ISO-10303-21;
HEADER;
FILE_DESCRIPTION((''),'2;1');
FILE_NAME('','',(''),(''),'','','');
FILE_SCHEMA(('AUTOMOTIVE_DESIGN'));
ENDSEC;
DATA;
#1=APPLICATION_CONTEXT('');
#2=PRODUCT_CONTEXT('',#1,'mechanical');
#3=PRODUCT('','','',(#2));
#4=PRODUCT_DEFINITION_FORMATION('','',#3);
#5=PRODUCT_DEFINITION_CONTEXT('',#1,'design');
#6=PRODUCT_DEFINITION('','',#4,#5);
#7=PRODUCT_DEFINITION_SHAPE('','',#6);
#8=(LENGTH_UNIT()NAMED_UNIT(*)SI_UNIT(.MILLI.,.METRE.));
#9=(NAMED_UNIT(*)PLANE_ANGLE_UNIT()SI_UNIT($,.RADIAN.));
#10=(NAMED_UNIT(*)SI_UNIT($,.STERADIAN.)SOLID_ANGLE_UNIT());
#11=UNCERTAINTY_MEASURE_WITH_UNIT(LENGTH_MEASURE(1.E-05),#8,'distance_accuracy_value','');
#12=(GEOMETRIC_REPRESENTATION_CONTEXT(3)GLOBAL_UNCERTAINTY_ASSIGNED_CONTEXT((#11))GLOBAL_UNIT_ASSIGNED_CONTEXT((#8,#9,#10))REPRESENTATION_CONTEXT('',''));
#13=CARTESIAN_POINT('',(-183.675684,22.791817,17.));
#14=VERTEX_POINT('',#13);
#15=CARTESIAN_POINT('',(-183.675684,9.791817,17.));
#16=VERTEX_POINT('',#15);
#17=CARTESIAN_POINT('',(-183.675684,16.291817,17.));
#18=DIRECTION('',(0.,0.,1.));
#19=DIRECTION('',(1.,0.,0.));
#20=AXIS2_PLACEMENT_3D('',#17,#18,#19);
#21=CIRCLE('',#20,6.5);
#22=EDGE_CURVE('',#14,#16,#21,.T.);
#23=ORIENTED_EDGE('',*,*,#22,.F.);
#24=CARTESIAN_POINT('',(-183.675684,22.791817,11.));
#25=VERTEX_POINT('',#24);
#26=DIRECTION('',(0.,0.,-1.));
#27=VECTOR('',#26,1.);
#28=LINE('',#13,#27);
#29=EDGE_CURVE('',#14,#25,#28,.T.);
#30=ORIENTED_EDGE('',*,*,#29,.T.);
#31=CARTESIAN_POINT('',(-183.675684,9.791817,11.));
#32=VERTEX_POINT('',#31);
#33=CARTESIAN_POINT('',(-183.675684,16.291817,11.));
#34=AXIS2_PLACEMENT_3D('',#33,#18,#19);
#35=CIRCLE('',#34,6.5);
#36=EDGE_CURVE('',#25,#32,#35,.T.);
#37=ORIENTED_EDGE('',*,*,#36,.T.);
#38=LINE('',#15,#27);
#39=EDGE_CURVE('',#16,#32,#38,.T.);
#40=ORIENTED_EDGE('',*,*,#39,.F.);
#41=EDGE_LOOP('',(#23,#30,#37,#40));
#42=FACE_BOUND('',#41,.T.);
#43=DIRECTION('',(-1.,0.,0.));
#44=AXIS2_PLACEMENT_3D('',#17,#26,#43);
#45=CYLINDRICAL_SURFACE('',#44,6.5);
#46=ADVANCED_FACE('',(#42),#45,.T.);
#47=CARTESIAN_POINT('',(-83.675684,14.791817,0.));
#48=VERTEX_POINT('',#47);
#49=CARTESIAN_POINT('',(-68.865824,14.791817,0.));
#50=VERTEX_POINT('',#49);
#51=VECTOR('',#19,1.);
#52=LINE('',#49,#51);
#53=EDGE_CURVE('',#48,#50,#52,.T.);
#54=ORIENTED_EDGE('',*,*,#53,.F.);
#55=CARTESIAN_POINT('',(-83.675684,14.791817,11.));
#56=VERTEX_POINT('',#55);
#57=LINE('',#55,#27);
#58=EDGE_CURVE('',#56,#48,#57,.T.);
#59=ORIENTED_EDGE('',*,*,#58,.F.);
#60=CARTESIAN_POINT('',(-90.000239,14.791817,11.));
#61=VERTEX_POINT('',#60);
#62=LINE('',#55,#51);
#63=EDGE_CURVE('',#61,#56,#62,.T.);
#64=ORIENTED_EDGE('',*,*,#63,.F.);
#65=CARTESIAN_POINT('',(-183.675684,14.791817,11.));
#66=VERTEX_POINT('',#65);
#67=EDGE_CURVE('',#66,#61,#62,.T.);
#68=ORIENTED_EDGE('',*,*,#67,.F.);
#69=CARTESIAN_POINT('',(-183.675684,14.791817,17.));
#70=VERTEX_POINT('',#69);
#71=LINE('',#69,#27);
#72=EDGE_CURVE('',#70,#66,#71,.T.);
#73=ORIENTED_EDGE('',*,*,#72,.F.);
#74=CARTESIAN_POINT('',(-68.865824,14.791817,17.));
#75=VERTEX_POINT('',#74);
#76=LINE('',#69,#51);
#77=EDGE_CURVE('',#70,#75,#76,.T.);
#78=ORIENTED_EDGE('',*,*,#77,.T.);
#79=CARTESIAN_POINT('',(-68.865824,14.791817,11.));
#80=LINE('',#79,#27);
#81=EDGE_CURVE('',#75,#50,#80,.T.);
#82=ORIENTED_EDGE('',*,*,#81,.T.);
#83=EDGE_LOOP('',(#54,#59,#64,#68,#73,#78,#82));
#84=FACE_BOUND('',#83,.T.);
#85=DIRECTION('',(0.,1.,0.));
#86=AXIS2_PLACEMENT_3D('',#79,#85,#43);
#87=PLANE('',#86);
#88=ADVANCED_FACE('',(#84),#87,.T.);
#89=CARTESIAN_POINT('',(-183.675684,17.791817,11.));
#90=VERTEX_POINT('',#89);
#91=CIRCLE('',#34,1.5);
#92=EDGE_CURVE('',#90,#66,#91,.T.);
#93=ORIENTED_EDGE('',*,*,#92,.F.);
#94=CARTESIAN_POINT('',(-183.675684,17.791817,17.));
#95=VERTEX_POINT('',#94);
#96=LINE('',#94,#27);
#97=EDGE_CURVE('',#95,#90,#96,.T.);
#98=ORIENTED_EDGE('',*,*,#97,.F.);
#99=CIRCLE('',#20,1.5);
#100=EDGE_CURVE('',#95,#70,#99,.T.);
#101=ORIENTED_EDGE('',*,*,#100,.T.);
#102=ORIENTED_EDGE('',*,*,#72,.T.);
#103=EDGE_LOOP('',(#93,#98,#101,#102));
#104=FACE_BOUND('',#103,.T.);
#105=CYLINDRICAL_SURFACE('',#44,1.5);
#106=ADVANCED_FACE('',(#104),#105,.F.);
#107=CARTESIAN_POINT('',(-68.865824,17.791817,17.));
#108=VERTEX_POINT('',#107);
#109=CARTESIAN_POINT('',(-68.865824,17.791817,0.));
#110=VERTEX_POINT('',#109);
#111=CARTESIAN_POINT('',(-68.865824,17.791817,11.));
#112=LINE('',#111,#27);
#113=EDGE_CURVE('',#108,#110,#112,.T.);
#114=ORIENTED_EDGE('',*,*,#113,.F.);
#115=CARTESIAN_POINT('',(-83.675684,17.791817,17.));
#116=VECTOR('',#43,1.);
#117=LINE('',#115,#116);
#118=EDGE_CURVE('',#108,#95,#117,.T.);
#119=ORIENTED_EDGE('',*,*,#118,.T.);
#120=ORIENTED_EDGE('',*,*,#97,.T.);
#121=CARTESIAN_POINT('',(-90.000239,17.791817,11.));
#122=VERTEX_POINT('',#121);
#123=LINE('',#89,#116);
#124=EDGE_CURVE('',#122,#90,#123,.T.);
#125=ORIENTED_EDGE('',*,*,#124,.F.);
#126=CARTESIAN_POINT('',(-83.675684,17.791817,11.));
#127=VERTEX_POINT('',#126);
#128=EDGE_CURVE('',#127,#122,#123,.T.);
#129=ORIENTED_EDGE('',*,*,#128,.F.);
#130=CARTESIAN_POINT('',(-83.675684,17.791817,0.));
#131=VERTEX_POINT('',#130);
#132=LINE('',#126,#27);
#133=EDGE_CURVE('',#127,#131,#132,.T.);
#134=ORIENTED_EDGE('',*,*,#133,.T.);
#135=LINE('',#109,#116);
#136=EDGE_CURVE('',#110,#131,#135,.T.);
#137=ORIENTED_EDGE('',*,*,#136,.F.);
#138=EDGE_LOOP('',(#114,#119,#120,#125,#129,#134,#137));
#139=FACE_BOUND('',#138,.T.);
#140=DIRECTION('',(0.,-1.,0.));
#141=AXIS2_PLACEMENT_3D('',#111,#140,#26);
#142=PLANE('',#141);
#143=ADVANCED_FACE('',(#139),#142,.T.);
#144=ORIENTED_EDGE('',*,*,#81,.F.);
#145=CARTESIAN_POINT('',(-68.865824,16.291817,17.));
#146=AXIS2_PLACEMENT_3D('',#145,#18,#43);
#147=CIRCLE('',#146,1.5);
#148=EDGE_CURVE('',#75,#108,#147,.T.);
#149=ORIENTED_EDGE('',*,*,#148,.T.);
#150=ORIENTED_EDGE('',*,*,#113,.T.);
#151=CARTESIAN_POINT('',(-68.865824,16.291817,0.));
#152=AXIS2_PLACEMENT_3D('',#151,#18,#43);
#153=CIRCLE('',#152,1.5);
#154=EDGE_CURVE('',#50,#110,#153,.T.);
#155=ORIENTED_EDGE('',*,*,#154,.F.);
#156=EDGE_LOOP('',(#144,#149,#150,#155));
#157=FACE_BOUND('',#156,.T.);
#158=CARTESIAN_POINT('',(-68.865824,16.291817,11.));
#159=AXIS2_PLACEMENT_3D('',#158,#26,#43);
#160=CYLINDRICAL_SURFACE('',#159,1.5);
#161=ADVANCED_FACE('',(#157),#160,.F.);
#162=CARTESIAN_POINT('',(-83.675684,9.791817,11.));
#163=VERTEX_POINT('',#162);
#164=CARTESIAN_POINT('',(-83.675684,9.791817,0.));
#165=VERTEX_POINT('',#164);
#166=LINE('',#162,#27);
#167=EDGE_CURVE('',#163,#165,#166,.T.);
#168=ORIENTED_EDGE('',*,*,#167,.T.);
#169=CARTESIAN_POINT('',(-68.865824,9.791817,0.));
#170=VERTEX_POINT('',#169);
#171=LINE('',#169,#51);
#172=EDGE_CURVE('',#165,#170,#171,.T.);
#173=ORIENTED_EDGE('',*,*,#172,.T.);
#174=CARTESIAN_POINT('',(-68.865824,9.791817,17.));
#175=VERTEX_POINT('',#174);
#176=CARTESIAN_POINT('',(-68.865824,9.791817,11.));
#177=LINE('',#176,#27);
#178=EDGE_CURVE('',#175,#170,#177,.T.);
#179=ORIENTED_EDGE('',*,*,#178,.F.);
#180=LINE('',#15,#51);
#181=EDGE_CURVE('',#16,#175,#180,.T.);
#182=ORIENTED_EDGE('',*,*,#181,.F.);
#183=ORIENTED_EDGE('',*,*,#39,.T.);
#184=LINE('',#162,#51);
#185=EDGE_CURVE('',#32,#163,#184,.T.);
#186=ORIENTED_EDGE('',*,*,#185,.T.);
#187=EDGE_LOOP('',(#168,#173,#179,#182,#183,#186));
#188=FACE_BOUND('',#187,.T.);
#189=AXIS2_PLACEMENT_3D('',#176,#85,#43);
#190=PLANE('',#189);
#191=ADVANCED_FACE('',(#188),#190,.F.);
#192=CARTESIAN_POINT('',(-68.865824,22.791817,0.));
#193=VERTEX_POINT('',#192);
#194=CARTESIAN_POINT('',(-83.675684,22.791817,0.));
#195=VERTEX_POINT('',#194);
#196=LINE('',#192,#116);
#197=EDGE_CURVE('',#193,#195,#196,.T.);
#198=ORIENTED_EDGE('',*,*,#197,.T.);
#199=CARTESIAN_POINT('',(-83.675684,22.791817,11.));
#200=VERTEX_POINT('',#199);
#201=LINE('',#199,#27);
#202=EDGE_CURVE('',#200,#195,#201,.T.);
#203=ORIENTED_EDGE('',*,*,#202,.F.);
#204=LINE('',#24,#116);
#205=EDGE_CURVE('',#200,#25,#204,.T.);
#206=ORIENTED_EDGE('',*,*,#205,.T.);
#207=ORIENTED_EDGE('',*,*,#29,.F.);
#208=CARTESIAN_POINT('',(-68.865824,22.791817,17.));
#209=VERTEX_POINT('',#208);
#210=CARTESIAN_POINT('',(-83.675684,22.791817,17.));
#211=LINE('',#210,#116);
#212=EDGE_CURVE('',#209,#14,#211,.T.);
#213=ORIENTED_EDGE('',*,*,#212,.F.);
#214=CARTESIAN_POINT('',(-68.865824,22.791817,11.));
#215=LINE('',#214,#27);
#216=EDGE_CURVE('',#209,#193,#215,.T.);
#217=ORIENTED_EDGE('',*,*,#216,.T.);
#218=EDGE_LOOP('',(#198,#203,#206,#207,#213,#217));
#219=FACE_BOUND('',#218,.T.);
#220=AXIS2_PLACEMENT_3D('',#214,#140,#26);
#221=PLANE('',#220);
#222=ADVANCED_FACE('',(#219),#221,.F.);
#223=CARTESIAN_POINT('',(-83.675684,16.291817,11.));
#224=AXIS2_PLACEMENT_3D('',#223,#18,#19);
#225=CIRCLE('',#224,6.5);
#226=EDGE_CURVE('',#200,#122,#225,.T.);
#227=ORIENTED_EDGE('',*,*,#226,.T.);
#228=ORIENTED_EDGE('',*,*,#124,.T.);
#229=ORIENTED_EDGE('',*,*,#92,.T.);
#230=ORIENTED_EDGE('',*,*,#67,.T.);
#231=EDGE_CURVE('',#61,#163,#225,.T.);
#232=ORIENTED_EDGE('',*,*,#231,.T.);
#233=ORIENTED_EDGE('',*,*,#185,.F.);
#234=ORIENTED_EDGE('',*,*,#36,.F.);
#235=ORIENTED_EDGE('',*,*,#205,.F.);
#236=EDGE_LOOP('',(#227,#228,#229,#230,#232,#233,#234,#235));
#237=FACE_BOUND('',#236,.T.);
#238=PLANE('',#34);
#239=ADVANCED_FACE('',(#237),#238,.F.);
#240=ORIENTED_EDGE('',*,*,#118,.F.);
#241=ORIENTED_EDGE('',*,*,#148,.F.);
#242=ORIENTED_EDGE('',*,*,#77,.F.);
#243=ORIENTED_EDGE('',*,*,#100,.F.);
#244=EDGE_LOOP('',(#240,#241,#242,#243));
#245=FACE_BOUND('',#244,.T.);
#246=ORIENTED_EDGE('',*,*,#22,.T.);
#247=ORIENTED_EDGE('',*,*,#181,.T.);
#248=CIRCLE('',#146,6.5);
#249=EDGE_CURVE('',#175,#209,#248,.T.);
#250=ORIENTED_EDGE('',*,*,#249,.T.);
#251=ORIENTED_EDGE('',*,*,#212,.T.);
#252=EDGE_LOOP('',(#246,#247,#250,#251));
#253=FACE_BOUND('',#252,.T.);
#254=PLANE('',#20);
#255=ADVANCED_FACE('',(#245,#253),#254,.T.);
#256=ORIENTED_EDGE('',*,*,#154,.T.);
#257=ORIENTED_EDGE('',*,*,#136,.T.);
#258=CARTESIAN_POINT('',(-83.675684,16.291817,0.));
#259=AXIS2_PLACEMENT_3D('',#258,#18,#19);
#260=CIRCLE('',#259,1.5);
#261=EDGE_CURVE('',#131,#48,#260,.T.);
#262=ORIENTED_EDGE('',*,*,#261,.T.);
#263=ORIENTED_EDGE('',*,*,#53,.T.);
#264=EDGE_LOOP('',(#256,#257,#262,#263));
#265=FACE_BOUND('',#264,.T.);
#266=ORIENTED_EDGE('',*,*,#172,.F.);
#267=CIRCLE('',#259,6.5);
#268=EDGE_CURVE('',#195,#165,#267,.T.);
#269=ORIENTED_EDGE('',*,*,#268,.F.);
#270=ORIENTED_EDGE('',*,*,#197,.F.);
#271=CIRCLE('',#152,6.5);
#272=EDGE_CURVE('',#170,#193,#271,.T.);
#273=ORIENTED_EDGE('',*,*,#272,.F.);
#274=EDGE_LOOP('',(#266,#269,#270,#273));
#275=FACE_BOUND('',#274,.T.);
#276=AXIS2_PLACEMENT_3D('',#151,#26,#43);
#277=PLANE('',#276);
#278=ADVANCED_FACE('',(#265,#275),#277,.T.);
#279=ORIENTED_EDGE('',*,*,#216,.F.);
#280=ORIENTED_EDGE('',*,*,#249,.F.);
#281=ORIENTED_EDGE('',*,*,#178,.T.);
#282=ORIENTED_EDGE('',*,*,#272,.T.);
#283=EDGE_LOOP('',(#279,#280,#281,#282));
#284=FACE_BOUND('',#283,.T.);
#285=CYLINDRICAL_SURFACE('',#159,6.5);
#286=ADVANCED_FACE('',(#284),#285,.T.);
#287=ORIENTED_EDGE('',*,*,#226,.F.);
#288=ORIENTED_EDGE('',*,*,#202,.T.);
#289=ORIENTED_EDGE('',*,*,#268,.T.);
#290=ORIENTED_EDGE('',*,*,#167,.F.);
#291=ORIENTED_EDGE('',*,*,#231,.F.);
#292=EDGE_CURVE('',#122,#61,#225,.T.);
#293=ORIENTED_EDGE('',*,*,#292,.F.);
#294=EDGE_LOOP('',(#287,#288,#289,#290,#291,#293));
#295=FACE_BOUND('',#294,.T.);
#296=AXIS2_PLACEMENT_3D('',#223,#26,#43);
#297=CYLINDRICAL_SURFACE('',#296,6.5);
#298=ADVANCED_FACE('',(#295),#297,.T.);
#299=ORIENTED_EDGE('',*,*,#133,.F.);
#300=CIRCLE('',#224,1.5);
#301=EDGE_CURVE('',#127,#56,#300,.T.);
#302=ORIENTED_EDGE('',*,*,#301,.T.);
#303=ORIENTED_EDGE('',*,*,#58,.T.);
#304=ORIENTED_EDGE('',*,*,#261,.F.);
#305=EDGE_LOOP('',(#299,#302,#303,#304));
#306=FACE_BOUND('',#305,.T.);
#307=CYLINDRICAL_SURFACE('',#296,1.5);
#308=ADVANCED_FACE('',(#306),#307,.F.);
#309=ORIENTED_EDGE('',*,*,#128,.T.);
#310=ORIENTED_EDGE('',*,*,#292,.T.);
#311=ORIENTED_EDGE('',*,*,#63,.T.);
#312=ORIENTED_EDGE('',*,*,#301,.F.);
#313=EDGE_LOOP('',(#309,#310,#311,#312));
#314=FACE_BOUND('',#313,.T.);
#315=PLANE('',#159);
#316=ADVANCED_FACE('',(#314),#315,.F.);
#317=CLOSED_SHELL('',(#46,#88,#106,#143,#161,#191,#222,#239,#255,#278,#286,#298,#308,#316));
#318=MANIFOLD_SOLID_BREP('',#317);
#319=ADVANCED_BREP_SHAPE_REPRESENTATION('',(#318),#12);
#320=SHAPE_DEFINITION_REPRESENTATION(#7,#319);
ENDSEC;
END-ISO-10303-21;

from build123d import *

# Parameters (mm, degrees)
BOSS_EXTRUDE1_DEPTH = 11
BOSS_EXTRUDE2_DEPTH = 6


with BuildPart() as part:
    # Sketch1 → Boss-Extrude1 (new body)
    with BuildSketch(Plane.XY):
        with BuildLine():
            Line((-68.865823893, 22.791817364), (-83.675684171, 22.791817364))
            ThreePointArc((-83.675684171, 22.791817364), (-90.175684171, 16.291817364), (-83.675684171, 9.791817364))
            Line((-83.675684171, 9.791817364), (-68.865823893, 9.791817364))
            ThreePointArc((-68.865823893, 9.791817364), (-62.365823893, 16.291817364), (-68.865823893, 22.791817364))
        make_face()
        with BuildLine():
            Line((-68.865823893, 17.791817364), (-83.675684171, 17.791817364))
            ThreePointArc((-83.675684171, 17.791817364), (-85.175684171, 16.291817364), (-83.675684171, 14.791817364))
            Line((-83.675684171, 14.791817364), (-68.865823893, 14.791817364))
            ThreePointArc((-68.865823893, 14.791817364), (-67.365823893, 16.291817364), (-68.865823893, 17.791817364))
        make_face(mode=Mode.SUBTRACT)
    extrude(amount=BOSS_EXTRUDE1_DEPTH)

    # Sketch2 → Boss-Extrude2 (add)
    with BuildSketch(Plane.XY.offset(11)):
        with BuildLine():
            Line((-183.675684171, 22.791817364), (-83.675684171, 22.791817364))
            Line((-83.675684171, 22.791817364), (-68.865823893, 22.791817364))
            ThreePointArc((-68.865823893, 22.791817364), (-62.365823893, 16.291817364), (-68.865823893, 9.791817364))
            Line((-68.865823893, 9.791817364), (-83.675684171, 9.791817364))
            Line((-83.675684171, 9.791817364), (-183.675684171, 9.791817364))
            ThreePointArc((-183.675684171, 9.791817364), (-190.175684171, 16.291817364), (-183.675684171, 22.791817364))
        make_face()
        with BuildLine():
            Line((-183.675684171, 17.791817364), (-83.675684171, 17.791817364))
            Line((-83.675684171, 17.791817364), (-68.865823893, 17.791817364))
            ThreePointArc((-68.865823893, 17.791817364), (-67.365823893, 16.291817364), (-68.865823893, 14.791817364))
            Line((-68.865823893, 14.791817364), (-83.675684171, 14.791817364))
            Line((-83.675684171, 14.791817364), (-183.675684171, 14.791817364))
            ThreePointArc((-183.675684171, 14.791817364), (-185.175684171, 16.291817364), (-183.675684171, 17.791817364))
        make_face(mode=Mode.SUBTRACT)
    extrude(amount=BOSS_EXTRUDE2_DEPTH)


solid = part.part
